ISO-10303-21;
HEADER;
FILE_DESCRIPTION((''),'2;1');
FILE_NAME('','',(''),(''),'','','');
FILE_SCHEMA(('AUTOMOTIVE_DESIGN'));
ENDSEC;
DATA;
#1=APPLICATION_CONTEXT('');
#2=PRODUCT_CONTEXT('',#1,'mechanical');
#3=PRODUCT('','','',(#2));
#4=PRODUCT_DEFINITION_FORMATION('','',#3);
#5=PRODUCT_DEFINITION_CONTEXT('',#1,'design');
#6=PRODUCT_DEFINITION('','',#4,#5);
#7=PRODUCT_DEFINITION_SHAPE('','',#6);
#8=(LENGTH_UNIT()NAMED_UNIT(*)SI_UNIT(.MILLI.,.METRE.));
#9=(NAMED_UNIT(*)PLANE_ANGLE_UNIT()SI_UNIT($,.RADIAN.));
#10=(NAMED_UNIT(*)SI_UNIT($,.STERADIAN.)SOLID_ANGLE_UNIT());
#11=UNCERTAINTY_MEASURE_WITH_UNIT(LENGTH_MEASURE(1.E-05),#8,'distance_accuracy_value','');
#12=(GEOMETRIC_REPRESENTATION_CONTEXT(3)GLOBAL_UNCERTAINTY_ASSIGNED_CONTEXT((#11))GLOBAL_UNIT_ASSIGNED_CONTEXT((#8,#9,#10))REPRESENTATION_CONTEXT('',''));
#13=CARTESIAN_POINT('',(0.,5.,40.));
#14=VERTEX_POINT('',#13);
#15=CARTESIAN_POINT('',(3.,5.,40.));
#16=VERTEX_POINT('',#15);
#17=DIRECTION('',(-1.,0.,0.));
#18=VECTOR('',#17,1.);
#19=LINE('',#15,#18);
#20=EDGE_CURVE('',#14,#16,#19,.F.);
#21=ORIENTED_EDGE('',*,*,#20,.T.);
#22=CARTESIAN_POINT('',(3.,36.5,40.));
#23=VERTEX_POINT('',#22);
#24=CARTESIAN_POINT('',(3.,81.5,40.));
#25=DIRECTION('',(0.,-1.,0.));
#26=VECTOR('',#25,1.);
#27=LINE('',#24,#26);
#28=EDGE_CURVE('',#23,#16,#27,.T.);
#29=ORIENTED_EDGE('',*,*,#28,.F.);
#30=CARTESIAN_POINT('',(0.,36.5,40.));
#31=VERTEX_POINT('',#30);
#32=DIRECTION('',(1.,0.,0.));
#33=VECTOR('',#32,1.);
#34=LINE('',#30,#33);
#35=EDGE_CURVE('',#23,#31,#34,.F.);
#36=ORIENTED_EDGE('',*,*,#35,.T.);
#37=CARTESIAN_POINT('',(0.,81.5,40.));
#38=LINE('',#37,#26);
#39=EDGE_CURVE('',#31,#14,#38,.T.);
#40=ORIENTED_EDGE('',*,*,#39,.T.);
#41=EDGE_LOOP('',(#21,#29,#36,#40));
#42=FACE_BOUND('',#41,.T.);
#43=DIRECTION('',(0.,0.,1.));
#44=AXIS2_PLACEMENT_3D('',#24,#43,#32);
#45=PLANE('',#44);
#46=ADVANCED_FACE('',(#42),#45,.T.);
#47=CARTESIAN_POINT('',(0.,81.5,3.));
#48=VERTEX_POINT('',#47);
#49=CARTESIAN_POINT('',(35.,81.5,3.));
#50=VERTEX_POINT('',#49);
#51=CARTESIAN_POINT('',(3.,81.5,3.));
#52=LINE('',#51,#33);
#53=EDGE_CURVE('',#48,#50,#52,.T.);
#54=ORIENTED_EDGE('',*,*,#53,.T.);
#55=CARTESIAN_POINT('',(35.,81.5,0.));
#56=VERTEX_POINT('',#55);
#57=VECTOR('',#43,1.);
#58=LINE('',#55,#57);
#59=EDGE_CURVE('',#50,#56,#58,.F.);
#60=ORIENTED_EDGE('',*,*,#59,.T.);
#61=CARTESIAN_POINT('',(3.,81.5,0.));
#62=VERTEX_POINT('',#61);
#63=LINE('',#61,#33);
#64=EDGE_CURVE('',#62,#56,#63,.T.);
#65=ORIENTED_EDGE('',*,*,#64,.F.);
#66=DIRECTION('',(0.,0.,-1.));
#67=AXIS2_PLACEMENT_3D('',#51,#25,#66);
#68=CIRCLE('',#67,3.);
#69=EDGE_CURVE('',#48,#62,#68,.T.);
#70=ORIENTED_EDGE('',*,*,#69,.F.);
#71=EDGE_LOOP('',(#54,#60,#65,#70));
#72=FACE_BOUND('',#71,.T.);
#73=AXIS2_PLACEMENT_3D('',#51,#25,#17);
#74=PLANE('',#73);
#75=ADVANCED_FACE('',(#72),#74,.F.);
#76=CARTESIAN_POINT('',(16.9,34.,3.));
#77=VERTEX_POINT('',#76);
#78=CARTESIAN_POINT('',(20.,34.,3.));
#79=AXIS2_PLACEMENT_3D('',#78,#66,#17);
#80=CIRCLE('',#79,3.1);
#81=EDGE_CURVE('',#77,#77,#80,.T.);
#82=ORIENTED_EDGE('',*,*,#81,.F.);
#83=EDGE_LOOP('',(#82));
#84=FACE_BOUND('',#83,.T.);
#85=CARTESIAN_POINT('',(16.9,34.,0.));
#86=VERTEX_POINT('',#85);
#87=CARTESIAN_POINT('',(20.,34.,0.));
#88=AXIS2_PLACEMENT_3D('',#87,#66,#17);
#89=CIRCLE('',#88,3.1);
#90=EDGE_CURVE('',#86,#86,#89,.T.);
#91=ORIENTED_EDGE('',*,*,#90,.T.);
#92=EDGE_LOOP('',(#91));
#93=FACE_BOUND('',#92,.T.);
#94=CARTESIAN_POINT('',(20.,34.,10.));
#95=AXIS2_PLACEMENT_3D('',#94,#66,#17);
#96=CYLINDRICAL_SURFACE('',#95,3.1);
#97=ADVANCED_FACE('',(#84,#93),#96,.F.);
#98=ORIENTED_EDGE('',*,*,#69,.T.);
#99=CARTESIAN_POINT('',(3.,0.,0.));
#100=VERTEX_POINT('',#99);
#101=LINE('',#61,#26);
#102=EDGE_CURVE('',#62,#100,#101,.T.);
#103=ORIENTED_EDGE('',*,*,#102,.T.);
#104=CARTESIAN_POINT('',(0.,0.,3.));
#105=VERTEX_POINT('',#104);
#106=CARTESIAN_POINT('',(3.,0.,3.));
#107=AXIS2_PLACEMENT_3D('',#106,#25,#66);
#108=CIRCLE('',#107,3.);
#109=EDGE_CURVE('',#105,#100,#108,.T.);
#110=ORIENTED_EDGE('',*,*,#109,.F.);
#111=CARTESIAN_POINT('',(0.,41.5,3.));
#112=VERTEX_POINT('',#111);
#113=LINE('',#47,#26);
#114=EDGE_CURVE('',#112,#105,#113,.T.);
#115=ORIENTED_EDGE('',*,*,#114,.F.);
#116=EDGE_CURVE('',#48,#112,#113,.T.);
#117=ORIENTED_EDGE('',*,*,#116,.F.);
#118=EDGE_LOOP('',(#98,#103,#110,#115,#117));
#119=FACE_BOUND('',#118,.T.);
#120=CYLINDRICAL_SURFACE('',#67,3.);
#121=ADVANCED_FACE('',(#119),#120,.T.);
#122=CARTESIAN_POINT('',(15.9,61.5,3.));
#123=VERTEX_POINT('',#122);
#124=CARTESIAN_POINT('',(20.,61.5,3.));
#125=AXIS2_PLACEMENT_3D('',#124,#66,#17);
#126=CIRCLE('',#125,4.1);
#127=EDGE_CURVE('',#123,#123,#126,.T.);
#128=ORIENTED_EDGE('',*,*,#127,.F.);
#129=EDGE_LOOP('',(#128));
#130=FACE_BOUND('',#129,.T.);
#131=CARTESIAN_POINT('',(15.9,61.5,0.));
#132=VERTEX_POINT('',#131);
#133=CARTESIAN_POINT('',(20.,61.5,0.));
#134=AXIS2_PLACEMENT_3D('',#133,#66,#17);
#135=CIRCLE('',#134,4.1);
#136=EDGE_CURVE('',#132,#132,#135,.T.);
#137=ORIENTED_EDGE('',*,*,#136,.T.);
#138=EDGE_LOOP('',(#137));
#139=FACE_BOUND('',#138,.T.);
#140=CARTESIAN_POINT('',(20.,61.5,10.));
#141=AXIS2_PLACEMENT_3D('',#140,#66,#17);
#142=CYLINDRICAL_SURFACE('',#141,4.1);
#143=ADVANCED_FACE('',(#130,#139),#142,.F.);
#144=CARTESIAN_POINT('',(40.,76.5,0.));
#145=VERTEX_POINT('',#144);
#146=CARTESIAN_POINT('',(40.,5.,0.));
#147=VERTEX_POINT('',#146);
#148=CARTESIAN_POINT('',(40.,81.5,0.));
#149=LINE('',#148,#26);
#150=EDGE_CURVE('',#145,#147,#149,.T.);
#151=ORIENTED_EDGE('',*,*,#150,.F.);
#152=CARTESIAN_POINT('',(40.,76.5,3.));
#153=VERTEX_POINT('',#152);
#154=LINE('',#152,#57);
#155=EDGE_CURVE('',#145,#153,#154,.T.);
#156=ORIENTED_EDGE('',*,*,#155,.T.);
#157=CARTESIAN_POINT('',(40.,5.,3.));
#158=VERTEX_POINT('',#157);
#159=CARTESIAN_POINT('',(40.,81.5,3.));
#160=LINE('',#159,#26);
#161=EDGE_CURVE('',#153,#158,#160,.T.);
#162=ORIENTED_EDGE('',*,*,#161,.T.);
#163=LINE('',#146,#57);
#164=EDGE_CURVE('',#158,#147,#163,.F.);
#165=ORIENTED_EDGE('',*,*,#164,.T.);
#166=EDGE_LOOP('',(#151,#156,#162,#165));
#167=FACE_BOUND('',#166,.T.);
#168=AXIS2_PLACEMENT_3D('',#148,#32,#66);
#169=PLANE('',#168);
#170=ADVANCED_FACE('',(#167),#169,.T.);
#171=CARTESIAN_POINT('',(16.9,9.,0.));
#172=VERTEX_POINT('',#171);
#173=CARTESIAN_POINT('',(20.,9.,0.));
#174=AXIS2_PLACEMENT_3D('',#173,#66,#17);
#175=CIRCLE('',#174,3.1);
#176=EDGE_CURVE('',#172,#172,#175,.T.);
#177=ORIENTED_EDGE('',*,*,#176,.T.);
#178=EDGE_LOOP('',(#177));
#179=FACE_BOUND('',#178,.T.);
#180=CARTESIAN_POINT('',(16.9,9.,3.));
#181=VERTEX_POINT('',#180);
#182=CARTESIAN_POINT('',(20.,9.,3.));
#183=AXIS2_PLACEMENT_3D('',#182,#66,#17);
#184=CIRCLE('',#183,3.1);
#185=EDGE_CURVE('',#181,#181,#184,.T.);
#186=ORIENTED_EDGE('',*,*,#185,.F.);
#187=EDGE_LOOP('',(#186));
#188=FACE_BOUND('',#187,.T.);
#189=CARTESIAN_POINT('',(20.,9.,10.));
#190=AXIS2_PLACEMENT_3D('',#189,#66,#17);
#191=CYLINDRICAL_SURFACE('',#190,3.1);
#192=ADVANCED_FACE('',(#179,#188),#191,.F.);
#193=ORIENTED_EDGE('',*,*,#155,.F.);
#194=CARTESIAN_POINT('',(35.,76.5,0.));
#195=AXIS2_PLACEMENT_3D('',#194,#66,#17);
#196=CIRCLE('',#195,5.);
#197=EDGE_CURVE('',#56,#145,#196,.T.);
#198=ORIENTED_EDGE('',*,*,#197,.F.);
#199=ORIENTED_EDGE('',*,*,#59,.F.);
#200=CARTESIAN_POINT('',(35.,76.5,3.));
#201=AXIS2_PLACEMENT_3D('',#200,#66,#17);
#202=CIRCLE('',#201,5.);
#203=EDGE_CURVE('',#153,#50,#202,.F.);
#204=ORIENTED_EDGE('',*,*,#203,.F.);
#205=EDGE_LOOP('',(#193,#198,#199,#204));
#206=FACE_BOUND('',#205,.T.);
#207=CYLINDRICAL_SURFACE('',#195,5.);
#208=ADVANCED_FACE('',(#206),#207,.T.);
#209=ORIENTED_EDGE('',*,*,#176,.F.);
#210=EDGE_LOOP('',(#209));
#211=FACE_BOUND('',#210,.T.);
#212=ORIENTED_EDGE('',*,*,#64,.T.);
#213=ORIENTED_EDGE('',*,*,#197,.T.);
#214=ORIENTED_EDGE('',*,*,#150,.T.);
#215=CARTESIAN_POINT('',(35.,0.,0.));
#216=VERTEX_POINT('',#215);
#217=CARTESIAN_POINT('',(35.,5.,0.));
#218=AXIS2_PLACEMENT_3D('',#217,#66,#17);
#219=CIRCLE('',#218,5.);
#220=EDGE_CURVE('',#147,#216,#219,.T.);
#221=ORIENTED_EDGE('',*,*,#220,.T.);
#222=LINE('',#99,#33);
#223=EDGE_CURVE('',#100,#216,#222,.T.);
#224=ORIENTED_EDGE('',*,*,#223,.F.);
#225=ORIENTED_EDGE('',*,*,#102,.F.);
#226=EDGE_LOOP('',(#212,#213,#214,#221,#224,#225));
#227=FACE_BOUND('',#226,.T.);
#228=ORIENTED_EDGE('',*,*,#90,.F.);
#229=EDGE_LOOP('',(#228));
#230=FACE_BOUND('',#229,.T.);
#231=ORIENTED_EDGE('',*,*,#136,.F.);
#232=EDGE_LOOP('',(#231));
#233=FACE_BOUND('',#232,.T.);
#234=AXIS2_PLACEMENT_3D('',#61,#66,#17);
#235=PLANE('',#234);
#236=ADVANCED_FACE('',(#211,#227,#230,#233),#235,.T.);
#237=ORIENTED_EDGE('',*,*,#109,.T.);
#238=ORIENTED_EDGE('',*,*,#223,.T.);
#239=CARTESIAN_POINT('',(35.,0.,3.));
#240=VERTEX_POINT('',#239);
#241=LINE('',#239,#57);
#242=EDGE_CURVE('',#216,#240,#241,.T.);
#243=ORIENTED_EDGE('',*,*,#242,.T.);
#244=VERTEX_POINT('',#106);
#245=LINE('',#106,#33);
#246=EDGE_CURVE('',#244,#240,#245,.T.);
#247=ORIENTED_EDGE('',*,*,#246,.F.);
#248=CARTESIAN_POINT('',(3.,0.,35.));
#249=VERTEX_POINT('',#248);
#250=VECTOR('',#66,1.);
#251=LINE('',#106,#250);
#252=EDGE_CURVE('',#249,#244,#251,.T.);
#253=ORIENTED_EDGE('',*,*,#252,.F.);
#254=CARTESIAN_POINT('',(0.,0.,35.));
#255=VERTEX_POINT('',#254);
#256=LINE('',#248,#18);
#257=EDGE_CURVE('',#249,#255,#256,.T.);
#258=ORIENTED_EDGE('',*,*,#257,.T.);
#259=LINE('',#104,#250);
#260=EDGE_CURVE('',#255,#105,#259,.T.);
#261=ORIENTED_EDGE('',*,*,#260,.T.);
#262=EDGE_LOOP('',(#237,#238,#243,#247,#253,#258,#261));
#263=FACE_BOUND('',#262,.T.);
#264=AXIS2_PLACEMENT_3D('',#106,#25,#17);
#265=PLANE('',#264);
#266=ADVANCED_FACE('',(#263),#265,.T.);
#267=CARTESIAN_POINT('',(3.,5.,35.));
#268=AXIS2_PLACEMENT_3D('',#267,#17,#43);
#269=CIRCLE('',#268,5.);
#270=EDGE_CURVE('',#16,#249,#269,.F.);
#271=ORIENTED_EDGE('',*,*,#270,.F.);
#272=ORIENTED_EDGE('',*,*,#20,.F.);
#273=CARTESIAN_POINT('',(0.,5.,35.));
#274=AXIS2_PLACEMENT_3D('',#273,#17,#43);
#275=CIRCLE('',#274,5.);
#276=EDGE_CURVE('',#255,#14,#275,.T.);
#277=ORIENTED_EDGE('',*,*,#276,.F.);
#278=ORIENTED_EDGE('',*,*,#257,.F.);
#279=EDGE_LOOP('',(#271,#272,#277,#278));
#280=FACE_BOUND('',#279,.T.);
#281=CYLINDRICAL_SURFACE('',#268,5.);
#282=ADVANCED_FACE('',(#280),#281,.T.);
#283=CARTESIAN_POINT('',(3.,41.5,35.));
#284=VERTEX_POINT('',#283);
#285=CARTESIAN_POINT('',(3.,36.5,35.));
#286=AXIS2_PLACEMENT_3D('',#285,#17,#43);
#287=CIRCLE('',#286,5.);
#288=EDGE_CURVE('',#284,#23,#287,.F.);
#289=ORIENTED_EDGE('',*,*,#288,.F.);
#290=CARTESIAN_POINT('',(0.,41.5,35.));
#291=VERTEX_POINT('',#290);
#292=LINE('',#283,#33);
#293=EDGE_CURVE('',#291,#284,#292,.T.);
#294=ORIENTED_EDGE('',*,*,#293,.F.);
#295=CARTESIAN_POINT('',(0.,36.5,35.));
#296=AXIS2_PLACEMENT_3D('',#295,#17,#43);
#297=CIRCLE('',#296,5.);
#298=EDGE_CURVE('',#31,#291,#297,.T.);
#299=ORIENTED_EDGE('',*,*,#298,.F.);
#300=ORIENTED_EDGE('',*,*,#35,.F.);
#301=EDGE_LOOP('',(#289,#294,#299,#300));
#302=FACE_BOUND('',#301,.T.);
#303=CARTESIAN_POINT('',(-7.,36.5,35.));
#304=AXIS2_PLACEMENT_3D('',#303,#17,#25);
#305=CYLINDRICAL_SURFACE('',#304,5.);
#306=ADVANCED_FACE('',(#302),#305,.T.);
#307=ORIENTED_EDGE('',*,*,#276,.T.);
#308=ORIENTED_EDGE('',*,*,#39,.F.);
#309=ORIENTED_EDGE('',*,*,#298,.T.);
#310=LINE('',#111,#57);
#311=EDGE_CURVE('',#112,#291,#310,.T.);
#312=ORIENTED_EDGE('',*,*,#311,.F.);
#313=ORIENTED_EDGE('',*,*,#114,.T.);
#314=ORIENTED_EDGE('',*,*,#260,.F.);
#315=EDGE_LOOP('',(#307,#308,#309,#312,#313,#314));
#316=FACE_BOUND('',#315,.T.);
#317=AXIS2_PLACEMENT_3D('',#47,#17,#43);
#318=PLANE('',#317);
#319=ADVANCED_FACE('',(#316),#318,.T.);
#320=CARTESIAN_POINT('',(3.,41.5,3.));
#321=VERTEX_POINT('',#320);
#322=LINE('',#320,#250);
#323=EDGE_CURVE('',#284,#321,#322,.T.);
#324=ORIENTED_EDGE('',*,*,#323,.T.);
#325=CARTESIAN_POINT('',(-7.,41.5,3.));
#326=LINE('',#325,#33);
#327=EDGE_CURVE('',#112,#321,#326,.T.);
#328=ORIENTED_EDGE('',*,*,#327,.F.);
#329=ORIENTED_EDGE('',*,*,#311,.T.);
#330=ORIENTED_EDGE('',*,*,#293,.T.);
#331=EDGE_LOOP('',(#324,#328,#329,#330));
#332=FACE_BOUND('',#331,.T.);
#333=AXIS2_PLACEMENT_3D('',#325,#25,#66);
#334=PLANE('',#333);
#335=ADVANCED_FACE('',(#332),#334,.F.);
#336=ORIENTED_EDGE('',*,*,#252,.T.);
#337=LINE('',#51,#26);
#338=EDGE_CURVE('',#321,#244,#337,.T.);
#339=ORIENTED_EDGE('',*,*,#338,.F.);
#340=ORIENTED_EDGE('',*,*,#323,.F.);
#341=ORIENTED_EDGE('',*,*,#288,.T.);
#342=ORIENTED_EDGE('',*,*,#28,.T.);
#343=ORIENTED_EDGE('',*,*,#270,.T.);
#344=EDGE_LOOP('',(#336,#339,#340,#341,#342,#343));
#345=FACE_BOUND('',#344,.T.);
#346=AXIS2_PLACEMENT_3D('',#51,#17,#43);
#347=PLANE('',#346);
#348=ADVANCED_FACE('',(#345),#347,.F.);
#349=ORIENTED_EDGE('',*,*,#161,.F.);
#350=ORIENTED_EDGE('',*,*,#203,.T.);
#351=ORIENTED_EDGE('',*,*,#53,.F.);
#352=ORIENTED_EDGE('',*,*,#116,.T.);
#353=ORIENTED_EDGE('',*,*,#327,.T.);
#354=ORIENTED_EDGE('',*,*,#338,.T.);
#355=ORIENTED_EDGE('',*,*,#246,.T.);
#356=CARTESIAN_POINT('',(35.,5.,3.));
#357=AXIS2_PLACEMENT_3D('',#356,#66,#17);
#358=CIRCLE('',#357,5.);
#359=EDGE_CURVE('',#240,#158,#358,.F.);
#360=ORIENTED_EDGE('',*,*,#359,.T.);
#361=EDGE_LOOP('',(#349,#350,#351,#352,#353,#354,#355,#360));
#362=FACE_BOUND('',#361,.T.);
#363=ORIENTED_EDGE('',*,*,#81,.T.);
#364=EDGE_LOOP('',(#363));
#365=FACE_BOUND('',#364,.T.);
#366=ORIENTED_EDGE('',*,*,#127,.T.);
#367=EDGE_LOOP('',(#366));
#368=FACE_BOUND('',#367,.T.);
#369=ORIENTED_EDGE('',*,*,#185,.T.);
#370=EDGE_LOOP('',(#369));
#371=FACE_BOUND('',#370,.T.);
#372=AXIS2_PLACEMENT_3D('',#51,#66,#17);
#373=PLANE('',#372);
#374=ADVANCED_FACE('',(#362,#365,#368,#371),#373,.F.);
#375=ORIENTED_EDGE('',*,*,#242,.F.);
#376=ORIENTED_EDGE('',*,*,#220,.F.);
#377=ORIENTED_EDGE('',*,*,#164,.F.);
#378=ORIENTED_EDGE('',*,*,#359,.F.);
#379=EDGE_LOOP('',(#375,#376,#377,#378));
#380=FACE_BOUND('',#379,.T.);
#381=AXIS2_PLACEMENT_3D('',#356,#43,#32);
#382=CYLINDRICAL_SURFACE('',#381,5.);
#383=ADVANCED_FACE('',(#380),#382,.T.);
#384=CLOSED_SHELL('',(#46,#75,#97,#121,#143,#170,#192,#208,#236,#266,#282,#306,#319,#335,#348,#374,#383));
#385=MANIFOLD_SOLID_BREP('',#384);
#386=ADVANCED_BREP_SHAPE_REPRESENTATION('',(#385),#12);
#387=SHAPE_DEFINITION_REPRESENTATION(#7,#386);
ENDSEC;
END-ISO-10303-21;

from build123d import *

# Parameters (mm, degrees)
EXTRUDE_THIN1_DEPTH = 81.5
SKETCH2_W           = 37
SKETCH2_H           = 40
CUT_EXTRUDE1_DEPTH  = 10
SKETCH3_R           = 4.1
CUT_EXTRUDE2_DEPTH  = 10
SKETCH4_R           = 3.1
CUT_EXTRUDE3_DEPTH  = 10
FILLET1_R           = 5


with BuildPart() as part:
    # Sketch1 → Extrude-Thin1 (new body)
    with BuildSketch(Plane(origin=(0, 0, 0), x_dir=(1, 0, 0), z_dir=(0, 1, 0))):
        with BuildLine():
            Line((40, 0), (3, 0))
            ThreePointArc((3, 0), (0.878679656, -0.878679656), (0, -3))
            Line((0, -3), (0, -40))
            Line((0, -40), (3, -40))
            Line((3, -40), (3, -3))
            Line((3, -3), (40, -3))
            Line((40, -3), (40, 0))
        make_face()
    extrude(amount=EXTRUDE_THIN1_DEPTH)

    # Sketch2 → Cut-Extrude1 (cut)
    with BuildSketch(Plane(origin=(3, 0, 0), x_dir=(0, 0, -1), z_dir=(1, 0, 0))):
        with Locations((-21.5, 61.5)):
            Rectangle(SKETCH2_W, SKETCH2_H)
    extrude(amount=-CUT_EXTRUDE1_DEPTH, mode=Mode.SUBTRACT)

    # Sketch3 → Cut-Extrude2 (cut)
    with BuildSketch(Plane(origin=(0, 0, 0), x_dir=(-1, 0, 0), z_dir=(0, 0, -1))):
        with Locations((-20, 61.5)):
            Circle(SKETCH3_R)
    extrude(amount=-CUT_EXTRUDE2_DEPTH, mode=Mode.SUBTRACT)

    # Sketch4 → Cut-Extrude3 (cut)
    with BuildSketch(Plane(origin=(0, 0, 0), x_dir=(-1, 0, 0), z_dir=(0, 0, -1))):
        with Locations((-20, 9)):
            Circle(SKETCH4_R)
        with Locations((-20, 34)):
            Circle(SKETCH4_R)
    extrude(amount=-CUT_EXTRUDE3_DEPTH, mode=Mode.SUBTRACT)

    # Fillet1
    fillet1_edges = [part.edges().sort_by_distance(p)[0] for p in [
        (1.5, 41.5, 40),
        (1.5, 0, 40),
        (40, 81.5, 1.5),
        (40, 0, 1.5),
    ]]
    fillet(fillet1_edges, radius=FILLET1_R)


solid = part.part
